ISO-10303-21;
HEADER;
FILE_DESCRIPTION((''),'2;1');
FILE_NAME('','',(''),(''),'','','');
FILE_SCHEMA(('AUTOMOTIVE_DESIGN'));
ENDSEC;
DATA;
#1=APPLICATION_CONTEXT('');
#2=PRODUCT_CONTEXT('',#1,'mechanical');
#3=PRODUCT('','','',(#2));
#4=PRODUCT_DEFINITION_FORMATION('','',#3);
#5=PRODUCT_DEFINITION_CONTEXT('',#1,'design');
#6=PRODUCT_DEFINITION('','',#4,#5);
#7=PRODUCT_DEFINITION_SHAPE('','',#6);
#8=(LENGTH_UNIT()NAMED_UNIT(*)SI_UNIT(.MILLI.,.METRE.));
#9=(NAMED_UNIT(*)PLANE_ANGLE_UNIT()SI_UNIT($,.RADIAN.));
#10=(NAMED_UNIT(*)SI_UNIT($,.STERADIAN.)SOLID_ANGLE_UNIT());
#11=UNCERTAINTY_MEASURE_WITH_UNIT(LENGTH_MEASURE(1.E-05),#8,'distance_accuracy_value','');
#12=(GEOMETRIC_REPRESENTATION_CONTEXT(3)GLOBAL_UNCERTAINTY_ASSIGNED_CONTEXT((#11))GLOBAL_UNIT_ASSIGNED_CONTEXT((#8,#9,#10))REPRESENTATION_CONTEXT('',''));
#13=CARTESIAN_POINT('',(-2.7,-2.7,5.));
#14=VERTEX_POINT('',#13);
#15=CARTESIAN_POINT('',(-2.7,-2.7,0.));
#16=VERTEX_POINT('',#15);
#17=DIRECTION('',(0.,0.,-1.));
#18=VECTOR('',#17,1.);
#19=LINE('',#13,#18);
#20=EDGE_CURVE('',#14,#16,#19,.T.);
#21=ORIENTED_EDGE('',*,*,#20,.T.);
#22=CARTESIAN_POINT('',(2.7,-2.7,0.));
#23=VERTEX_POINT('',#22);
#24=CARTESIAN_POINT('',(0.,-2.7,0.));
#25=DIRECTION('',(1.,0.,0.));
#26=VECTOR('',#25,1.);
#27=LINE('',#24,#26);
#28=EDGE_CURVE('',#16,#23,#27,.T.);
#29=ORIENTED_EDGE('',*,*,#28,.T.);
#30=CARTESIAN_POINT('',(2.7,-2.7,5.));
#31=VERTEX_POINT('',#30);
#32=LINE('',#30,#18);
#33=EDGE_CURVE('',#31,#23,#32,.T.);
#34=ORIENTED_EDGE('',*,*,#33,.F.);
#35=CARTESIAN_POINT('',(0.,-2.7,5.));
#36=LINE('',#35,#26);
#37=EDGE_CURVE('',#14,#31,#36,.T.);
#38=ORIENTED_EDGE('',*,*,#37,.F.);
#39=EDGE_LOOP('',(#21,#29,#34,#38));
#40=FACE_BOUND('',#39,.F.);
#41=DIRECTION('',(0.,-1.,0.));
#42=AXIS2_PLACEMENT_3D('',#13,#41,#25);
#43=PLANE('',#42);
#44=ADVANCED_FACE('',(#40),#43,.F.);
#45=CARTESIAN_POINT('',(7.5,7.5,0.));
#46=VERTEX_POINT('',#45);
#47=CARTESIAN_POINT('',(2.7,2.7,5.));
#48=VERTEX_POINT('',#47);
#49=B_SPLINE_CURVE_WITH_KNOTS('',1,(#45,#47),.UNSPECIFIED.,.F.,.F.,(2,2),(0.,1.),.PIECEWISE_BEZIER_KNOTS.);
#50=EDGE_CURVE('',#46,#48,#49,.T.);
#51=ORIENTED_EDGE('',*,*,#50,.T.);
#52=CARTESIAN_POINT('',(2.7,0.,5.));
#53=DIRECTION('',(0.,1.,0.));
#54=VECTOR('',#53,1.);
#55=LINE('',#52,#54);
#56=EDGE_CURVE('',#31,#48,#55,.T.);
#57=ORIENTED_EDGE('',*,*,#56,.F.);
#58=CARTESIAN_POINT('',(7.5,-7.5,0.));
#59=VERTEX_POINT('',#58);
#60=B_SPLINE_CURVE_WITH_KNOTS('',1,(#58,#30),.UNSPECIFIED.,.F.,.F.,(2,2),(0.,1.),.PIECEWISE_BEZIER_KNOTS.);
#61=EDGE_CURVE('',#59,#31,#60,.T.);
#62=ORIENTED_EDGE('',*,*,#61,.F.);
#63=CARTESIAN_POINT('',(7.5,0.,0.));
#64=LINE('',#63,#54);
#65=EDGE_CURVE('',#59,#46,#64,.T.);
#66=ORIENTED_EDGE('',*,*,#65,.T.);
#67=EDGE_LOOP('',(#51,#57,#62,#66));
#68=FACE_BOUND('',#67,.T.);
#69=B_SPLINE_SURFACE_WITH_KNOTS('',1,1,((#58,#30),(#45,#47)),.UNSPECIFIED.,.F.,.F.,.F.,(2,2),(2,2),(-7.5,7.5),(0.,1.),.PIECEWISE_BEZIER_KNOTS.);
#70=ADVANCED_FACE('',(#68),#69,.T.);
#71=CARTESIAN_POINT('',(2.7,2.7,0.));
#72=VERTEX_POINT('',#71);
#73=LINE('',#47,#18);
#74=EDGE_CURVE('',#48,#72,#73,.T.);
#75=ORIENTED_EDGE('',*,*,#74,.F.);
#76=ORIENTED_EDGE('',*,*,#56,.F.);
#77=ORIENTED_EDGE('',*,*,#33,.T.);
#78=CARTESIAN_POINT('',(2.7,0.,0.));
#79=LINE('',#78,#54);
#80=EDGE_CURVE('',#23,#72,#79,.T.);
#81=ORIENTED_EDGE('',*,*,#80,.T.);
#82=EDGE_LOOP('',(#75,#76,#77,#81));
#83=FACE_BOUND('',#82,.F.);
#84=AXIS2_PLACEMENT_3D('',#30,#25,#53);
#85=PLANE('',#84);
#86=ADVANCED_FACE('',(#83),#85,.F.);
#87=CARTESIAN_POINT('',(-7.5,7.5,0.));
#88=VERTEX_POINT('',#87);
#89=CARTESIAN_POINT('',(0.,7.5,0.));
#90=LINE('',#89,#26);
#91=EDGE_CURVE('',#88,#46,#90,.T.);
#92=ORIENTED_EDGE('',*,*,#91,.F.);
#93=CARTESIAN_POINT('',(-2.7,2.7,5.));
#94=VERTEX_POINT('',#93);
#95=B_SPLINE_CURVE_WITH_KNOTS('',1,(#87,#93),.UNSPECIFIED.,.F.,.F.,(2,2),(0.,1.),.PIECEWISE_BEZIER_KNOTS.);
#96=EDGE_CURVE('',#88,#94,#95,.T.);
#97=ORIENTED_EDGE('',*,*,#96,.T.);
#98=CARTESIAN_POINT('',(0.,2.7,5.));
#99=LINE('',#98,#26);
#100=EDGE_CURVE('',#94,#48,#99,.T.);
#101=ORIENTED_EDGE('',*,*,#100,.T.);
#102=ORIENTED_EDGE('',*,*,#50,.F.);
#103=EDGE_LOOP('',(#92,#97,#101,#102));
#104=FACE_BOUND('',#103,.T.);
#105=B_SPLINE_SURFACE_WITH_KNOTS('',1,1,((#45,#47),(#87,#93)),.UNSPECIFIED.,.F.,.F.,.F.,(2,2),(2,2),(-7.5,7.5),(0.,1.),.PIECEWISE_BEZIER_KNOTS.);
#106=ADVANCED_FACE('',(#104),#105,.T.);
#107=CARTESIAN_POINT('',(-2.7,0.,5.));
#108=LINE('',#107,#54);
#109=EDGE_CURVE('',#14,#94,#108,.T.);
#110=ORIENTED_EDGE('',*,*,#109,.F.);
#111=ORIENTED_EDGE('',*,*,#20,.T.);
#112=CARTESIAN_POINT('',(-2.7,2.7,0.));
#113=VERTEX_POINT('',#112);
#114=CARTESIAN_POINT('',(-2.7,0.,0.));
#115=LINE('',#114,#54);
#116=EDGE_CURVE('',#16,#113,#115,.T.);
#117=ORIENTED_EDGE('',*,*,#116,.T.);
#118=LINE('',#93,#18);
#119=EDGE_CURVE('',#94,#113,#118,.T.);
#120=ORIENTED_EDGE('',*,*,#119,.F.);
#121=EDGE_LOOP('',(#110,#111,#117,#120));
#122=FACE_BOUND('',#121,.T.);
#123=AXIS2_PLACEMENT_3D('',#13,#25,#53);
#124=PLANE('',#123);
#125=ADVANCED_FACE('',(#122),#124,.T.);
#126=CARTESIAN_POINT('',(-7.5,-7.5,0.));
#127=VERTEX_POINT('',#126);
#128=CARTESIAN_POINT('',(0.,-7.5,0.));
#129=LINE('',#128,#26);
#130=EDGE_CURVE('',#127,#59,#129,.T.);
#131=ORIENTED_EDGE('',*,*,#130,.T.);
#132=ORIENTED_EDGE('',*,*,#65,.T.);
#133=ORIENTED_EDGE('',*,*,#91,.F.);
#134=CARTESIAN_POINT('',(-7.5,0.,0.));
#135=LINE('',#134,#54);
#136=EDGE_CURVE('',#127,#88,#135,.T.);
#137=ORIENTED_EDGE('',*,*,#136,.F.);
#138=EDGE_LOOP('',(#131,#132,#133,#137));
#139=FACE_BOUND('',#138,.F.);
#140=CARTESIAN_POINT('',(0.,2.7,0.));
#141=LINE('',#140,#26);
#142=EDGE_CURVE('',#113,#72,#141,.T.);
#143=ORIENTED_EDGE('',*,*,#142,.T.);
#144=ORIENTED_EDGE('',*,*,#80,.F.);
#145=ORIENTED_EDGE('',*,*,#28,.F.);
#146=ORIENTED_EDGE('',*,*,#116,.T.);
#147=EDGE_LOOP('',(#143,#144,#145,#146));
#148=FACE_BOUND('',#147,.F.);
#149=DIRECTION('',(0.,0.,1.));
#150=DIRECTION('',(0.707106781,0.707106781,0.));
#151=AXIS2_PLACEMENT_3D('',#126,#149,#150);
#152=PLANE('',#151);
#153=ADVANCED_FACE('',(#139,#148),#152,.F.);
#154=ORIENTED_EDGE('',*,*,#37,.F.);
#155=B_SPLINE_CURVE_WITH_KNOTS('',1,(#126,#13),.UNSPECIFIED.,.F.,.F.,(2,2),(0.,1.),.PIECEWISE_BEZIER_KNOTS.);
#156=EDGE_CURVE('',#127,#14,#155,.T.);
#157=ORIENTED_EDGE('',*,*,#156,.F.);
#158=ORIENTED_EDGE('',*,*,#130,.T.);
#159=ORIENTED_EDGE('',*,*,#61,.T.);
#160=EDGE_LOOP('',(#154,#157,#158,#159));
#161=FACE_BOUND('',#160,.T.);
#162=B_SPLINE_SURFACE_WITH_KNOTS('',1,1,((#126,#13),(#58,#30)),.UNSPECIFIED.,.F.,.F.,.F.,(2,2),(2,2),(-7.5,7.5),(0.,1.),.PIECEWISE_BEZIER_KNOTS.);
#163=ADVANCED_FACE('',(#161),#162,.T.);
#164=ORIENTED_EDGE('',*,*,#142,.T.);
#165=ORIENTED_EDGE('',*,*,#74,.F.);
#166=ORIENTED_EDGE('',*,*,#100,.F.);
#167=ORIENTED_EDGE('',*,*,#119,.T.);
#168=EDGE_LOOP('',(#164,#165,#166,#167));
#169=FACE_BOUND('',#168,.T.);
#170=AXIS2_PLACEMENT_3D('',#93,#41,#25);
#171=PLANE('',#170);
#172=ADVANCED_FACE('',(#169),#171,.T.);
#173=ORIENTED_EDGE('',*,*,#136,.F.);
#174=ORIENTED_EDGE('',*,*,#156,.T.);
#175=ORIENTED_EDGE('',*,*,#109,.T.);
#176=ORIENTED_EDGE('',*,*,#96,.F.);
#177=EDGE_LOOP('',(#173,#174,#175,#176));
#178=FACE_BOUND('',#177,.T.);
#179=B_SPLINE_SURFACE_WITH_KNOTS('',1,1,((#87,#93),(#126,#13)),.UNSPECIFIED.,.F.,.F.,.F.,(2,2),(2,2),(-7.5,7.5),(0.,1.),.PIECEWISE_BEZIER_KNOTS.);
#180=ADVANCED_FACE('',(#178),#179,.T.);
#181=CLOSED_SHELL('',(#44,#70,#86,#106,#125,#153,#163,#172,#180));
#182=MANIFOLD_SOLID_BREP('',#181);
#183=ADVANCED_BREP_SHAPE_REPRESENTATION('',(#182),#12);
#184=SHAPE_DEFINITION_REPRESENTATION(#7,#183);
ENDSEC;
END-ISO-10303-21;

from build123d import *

# Parameters (mm, degrees)
F0_W     = 15
F0_H     = 15
F2_W     = 5.4
F2_H     = 5.4
F4_DEPTH = 5


with BuildPart() as f3:
    # F0 (on Top) → F3 section 0
    with BuildSketch(Plane.XY):
        Rectangle(F0_W, F0_H)
    # F2 (on offset) → F3 section 1
    with BuildSketch(Plane.XY.offset(5)):
        Rectangle(F2_W, F2_H)
    loft()

    # F2 (on offset) → F4 (cut, through all)
    with BuildSketch(Plane.XY.offset(5)):
        Rectangle(F2_W, F2_H)
    extrude(amount=-F4_DEPTH, mode=Mode.SUBTRACT)


solid = f3.part
